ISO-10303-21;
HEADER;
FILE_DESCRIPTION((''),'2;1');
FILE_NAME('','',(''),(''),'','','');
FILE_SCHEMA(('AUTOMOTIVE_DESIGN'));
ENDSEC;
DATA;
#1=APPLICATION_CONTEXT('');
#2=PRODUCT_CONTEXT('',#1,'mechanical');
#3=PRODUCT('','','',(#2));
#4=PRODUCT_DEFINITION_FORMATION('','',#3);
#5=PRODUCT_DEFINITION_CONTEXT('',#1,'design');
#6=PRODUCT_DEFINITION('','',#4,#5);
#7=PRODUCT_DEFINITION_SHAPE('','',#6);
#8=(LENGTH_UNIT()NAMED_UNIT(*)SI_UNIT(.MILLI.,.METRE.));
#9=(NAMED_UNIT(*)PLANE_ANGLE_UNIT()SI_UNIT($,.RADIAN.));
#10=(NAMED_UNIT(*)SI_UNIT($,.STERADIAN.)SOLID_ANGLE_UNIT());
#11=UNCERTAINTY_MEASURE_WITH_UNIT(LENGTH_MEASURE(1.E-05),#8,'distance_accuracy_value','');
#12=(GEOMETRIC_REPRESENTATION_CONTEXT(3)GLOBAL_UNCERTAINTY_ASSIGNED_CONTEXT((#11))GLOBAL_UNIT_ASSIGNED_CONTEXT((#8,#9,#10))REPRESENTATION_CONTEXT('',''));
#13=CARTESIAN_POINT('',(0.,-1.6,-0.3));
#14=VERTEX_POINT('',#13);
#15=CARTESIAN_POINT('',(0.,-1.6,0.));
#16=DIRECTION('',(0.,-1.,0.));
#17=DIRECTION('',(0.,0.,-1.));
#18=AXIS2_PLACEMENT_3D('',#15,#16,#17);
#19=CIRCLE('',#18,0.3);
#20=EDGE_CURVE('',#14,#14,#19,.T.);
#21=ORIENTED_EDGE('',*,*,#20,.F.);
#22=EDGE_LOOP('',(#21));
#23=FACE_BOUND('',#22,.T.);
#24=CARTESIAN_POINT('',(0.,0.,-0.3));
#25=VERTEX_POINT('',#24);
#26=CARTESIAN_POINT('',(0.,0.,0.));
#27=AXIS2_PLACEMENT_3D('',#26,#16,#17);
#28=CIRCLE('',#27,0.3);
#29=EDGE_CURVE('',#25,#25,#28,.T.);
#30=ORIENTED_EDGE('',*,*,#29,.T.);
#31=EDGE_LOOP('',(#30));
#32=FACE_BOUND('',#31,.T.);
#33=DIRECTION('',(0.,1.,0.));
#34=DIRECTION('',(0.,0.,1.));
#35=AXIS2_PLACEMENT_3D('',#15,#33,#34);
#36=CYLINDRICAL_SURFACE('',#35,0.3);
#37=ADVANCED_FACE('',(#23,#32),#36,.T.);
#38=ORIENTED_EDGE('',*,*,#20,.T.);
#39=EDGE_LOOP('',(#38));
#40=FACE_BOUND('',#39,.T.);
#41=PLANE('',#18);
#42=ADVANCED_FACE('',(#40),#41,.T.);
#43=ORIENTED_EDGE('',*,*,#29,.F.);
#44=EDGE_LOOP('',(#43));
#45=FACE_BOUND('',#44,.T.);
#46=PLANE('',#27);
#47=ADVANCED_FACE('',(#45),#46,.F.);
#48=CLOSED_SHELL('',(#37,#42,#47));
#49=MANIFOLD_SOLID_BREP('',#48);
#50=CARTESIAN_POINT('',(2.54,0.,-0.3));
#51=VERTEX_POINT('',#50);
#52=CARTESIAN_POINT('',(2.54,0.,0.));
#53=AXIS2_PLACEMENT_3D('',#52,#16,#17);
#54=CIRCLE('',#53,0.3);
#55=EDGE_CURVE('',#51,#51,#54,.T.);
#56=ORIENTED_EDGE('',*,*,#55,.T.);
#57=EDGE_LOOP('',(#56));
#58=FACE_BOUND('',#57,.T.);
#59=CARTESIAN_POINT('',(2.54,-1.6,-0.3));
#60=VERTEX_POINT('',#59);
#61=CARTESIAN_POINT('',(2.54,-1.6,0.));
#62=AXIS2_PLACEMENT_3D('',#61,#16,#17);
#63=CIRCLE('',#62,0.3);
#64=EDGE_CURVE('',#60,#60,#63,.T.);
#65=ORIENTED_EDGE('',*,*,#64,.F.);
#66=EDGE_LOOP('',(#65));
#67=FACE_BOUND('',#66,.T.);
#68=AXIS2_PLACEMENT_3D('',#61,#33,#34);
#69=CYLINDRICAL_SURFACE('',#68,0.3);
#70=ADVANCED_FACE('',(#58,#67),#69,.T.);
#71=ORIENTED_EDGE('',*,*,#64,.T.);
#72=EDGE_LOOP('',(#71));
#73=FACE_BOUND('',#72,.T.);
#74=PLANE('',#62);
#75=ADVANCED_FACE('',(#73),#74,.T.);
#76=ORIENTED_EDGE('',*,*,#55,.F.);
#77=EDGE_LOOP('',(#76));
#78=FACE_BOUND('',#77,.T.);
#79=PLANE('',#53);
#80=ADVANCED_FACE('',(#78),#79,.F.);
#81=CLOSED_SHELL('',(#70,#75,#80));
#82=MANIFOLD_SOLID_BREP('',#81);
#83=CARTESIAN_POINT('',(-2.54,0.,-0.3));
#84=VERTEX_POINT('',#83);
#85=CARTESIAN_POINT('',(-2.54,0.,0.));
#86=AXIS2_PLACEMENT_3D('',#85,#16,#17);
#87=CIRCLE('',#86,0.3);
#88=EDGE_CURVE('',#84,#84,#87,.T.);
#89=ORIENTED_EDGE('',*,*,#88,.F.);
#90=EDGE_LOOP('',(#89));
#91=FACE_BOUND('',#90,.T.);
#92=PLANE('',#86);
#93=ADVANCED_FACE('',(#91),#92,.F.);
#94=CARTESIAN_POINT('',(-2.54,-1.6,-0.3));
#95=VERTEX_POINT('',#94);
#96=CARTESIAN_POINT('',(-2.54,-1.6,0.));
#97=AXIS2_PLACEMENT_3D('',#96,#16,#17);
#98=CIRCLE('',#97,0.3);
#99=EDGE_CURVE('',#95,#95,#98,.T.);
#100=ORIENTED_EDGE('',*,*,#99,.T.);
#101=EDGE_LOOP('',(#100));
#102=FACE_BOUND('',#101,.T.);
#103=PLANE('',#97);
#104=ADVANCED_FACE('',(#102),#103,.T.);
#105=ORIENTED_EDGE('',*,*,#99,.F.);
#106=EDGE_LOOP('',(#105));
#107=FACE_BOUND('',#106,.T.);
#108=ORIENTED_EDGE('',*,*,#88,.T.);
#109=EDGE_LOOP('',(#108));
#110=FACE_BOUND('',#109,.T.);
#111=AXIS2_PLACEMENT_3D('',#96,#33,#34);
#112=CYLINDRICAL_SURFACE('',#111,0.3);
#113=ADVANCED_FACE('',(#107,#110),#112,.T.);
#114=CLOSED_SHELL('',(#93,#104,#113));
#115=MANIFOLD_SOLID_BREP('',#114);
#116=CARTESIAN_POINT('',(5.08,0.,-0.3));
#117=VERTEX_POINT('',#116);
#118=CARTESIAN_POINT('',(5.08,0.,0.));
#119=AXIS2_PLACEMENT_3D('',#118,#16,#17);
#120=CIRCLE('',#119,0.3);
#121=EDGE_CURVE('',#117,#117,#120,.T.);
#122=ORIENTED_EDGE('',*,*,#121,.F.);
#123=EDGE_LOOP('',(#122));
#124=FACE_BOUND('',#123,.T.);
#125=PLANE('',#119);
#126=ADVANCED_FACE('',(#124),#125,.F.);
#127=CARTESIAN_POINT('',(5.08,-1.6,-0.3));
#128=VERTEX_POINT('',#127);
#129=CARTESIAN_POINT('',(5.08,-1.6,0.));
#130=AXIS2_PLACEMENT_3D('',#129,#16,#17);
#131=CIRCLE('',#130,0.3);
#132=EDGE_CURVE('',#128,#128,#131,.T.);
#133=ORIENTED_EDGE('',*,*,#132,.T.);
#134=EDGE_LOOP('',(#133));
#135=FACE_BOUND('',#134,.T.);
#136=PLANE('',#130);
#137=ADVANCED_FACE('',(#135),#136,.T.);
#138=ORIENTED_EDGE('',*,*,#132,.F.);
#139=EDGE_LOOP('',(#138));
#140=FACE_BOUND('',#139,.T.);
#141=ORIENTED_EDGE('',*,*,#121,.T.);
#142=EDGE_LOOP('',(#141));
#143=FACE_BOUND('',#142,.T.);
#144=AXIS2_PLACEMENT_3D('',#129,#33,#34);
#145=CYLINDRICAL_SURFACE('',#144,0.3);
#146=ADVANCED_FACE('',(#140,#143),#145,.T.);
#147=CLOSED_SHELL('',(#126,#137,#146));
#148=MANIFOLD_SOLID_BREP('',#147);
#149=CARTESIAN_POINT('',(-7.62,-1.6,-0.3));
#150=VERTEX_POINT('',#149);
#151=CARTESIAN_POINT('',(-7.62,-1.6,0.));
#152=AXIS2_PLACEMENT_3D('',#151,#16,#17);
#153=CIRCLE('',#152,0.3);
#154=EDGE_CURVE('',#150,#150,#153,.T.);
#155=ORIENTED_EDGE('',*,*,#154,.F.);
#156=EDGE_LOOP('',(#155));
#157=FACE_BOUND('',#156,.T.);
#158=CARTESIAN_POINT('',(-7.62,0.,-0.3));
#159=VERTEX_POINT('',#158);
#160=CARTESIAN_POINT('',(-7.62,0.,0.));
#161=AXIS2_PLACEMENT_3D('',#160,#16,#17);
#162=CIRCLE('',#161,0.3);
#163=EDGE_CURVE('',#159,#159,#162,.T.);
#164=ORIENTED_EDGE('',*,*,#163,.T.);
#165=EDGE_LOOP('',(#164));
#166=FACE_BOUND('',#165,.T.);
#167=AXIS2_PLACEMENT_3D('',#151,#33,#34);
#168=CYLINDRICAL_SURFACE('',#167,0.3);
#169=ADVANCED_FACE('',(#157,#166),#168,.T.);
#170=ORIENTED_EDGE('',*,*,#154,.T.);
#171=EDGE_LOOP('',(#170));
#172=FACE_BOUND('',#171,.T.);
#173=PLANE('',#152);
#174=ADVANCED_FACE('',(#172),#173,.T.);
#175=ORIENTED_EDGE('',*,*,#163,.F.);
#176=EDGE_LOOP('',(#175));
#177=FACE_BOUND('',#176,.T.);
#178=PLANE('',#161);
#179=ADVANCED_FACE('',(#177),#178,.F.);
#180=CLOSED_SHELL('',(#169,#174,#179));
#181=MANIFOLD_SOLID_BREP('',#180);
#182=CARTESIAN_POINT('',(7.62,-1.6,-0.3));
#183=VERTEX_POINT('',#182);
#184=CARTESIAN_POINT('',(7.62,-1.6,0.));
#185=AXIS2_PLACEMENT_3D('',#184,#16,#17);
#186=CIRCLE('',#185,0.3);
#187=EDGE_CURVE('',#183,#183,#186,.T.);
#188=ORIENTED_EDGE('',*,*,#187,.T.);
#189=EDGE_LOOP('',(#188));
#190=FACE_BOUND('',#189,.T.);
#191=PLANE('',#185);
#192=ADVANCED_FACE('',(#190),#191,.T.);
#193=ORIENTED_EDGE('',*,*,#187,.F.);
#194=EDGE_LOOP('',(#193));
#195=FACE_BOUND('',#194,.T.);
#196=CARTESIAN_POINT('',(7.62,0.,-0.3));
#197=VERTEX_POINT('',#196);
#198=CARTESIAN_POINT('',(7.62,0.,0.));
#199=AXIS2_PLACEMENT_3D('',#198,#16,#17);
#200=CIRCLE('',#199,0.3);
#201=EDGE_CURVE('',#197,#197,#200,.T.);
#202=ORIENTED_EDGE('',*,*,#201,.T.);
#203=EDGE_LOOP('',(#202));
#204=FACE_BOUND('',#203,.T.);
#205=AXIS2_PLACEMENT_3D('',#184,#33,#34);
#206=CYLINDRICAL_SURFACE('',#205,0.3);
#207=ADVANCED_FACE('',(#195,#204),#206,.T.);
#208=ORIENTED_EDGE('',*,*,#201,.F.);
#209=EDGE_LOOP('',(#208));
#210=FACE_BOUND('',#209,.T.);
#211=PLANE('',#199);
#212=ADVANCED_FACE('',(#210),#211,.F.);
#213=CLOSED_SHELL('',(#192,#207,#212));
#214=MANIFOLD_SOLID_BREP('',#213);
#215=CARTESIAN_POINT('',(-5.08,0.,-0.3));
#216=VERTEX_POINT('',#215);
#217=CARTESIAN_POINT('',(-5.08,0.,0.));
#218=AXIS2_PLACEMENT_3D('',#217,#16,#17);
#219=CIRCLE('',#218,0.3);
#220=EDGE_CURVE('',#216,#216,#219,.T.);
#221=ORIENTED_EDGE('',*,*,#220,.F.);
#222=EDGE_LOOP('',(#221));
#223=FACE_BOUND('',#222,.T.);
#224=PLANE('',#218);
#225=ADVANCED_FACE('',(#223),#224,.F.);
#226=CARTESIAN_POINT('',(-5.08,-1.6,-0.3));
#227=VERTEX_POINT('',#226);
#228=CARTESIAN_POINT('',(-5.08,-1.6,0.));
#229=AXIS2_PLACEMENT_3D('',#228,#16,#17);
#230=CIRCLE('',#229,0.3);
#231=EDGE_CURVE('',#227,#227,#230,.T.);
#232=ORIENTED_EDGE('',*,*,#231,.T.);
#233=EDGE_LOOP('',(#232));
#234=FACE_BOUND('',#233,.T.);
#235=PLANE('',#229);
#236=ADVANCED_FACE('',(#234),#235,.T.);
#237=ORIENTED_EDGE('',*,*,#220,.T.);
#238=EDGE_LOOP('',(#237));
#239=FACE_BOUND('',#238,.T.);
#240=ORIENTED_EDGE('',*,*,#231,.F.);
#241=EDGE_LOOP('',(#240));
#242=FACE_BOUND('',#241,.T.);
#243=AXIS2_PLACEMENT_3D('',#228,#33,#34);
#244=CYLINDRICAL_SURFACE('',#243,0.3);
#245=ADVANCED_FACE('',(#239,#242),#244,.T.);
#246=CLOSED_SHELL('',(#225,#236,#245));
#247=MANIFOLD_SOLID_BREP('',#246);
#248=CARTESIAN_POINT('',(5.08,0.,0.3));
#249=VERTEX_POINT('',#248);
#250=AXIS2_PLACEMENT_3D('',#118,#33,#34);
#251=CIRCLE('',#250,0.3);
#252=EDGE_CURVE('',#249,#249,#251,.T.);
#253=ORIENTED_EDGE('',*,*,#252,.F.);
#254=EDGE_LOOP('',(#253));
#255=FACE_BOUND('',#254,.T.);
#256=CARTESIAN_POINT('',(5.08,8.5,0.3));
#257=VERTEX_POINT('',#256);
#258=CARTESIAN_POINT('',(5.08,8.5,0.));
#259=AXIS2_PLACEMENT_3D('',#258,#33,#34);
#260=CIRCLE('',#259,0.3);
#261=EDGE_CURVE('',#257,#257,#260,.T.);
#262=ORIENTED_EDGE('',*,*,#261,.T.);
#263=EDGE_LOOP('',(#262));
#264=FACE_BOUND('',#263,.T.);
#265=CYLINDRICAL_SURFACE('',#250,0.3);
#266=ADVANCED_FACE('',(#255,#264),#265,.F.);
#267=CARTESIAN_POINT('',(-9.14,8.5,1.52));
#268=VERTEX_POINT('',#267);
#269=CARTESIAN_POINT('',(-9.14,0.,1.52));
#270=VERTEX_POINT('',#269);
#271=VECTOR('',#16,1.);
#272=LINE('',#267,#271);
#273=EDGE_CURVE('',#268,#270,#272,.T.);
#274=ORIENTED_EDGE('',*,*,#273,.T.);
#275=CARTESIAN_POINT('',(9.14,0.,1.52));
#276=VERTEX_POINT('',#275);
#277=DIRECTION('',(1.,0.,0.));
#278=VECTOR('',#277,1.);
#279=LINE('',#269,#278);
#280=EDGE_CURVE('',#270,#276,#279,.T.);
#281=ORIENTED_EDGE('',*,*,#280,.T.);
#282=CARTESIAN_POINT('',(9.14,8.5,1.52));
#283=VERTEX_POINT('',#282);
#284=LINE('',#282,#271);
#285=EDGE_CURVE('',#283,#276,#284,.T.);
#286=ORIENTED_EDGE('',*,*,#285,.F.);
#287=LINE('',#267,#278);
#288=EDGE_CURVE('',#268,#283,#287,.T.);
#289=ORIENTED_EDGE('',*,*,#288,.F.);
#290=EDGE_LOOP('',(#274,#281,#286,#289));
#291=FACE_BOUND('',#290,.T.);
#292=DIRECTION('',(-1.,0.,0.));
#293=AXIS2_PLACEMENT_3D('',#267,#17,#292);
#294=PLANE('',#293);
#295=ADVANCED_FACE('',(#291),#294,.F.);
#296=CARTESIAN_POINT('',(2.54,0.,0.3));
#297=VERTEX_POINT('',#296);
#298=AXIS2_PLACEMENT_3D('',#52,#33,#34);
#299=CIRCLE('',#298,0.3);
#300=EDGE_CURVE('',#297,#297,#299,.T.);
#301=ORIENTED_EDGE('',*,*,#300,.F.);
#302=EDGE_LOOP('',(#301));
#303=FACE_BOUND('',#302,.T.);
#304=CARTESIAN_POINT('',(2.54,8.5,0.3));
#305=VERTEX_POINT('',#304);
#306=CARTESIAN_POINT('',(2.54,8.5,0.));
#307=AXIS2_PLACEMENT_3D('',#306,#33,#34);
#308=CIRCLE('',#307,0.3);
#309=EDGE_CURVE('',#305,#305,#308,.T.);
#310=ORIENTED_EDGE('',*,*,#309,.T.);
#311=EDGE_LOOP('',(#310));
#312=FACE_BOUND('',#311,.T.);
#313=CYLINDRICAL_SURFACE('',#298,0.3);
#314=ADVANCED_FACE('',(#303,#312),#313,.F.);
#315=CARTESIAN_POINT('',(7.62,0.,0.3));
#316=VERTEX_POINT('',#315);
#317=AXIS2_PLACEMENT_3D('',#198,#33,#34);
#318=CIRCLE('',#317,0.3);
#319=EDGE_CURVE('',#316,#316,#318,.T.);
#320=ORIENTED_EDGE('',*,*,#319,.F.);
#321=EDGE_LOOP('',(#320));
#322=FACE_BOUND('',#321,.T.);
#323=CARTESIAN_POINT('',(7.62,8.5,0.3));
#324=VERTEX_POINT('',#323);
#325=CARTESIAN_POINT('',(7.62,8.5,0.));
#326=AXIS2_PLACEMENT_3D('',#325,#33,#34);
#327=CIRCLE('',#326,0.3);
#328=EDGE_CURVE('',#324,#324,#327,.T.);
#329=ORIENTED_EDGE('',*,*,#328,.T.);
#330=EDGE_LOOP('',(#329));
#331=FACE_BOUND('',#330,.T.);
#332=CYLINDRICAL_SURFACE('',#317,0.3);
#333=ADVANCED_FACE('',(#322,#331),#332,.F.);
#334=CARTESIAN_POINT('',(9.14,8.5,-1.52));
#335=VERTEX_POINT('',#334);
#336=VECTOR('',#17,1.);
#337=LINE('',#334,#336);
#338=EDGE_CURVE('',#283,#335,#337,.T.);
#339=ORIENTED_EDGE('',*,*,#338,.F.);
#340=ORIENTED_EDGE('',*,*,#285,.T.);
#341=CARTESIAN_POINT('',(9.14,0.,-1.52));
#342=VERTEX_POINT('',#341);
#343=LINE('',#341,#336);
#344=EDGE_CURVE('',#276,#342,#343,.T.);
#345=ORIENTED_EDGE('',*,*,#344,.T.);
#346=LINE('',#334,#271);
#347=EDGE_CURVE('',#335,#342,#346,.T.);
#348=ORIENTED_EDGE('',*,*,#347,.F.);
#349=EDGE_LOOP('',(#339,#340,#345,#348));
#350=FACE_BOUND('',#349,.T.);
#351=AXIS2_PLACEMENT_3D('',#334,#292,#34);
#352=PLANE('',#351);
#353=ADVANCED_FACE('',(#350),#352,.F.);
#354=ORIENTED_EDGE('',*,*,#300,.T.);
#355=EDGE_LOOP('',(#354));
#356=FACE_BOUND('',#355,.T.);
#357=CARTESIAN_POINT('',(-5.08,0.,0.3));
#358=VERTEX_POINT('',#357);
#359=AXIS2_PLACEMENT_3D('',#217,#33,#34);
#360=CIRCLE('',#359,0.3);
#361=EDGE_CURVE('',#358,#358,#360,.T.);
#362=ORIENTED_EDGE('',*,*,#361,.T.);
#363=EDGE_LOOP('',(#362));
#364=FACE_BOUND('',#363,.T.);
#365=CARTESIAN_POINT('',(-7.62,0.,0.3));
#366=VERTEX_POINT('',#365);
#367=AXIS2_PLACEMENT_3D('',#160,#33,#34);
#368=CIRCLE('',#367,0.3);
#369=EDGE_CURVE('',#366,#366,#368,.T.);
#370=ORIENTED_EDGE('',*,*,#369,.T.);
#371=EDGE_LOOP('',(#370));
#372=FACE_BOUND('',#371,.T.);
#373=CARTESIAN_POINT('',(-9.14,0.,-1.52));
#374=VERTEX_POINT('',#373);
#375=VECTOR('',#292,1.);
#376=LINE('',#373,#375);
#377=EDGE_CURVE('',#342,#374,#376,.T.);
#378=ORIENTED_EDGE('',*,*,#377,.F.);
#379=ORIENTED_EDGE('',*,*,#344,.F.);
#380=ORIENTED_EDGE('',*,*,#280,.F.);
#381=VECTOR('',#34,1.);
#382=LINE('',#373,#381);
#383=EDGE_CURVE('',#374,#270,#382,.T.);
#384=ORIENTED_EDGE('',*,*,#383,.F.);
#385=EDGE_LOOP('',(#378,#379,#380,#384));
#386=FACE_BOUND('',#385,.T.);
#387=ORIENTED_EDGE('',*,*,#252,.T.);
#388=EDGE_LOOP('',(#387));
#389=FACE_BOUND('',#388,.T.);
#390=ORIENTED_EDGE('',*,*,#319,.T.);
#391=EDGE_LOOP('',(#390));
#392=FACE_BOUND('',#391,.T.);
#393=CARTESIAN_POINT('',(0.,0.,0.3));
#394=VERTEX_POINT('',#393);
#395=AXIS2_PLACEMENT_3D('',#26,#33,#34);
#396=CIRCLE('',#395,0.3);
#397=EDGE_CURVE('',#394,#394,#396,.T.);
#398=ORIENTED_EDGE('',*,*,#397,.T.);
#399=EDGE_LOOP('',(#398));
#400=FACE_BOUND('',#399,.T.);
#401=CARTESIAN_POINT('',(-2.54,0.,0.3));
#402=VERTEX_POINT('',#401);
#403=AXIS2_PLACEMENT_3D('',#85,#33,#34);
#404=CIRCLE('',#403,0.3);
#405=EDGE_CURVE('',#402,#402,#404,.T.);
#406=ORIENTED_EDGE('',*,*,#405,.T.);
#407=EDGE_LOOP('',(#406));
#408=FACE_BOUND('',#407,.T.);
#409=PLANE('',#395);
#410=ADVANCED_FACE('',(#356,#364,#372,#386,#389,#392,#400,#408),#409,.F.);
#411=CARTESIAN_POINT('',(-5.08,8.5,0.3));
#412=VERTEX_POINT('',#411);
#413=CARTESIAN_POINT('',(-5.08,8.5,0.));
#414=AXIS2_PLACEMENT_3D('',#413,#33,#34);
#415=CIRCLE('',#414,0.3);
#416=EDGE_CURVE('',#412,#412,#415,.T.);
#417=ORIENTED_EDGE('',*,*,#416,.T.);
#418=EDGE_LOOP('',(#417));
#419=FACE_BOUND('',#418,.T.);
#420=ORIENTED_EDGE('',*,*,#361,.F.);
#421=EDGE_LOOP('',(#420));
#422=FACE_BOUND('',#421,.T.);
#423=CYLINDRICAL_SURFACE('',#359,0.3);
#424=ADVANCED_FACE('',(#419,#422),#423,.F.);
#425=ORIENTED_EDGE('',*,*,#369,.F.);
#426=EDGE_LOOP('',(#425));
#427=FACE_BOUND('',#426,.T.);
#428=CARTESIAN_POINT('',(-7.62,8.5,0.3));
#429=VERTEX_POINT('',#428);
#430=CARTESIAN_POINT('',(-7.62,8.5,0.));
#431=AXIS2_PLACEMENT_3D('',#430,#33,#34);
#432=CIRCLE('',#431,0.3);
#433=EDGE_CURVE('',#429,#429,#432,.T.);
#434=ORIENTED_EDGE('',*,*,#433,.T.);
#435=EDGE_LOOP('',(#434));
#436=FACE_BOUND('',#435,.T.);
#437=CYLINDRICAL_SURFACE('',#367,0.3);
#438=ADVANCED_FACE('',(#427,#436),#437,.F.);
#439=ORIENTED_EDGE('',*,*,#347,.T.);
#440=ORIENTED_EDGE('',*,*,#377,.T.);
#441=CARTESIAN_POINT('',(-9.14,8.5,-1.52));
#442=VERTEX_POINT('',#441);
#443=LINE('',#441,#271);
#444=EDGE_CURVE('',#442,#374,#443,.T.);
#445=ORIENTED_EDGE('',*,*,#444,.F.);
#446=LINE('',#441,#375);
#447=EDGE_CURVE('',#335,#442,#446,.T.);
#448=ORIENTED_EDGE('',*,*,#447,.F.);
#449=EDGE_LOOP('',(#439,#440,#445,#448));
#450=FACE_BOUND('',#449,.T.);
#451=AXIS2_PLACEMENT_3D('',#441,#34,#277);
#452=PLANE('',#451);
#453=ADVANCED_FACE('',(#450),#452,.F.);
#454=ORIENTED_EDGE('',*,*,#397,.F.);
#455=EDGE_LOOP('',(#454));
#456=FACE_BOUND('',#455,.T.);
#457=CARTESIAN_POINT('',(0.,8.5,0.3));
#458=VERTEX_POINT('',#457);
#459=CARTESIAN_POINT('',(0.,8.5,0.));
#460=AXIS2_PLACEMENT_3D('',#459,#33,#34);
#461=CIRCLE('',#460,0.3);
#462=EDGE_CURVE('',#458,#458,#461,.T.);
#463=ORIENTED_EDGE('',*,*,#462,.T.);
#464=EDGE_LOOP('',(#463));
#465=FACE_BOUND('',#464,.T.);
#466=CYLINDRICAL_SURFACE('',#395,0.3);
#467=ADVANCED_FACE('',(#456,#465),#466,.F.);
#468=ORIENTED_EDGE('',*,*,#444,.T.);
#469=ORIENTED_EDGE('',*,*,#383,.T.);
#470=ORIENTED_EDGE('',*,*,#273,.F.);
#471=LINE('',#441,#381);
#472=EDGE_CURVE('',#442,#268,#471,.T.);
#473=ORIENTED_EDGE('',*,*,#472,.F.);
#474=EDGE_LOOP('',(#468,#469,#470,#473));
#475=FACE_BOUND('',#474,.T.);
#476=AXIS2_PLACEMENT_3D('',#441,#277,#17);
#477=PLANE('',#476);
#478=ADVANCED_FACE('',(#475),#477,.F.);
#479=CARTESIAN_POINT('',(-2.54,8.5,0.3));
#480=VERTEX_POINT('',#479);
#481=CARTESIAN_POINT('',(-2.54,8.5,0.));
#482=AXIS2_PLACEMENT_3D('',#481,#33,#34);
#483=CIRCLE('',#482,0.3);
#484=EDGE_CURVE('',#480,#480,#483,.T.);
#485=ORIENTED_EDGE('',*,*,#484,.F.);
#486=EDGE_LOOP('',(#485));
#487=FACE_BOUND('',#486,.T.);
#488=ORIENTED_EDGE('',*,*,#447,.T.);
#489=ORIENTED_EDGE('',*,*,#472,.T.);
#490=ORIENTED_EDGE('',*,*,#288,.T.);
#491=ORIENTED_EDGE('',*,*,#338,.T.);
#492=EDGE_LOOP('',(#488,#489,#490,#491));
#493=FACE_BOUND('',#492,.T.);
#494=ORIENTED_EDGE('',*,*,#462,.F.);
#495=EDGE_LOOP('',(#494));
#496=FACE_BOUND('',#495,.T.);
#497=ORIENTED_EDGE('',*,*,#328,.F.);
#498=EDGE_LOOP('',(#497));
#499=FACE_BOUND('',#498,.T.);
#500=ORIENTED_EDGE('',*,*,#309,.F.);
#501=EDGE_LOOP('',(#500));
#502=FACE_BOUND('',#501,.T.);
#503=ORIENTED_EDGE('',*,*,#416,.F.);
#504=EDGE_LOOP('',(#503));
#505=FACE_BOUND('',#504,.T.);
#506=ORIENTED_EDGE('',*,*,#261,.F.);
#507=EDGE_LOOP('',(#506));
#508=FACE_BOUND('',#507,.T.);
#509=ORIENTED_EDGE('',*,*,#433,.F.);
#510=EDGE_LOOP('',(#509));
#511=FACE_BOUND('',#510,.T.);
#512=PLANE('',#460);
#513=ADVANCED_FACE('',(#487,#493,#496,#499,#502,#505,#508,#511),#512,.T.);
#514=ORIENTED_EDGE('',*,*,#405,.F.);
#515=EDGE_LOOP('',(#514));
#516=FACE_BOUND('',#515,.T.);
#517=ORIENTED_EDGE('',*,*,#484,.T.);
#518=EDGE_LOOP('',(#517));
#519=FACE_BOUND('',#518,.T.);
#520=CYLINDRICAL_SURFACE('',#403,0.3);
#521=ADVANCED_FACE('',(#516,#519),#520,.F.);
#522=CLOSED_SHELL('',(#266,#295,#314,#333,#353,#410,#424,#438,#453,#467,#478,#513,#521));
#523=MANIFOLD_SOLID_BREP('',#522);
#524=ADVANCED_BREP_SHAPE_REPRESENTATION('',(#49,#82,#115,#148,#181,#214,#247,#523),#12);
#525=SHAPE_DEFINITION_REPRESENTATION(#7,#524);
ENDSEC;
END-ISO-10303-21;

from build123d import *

# Parameters (mm, degrees)
SKETCH_1_W          = 18.28
SKETCH_1_H          = 3.04
EXTRUDE_1_DEPTH     = 8.5
SKETCH_2_R          = 0.3
CUT_EXTRUDE_1_DEPTH = 8.5
SKETCH_3_R          = 0.3
EXTRUDE_2_DEPTH     = 1.6
EXTRUDE_2_2_DEPTH   = 1.6
EXTRUDE_2_3_DEPTH   = 1.6
EXTRUDE_2_4_DEPTH   = 1.6
EXTRUDE_2_5_DEPTH   = 1.6
EXTRUDE_2_6_DEPTH   = 1.6
EXTRUDE_2_7_DEPTH   = 1.6


with BuildPart() as part:
    # Эскиз1 → Бобышка-Вытянуть1 (new body)
    with BuildSketch(Plane(origin=(0, 0, 0), x_dir=(1, 0, 0), z_dir=(0, 1, 0))):
        Rectangle(SKETCH_1_W, SKETCH_1_H)
    extrude(amount=EXTRUDE_1_DEPTH)

    # Эскиз2 → Вырез-Вытянуть1 (cut)
    with BuildSketch(Plane(origin=(0, 8.5, 0), x_dir=(1, 0, 0), z_dir=(0, 1, 0))):
        with Locations((-7.62, 0)):
            Circle(SKETCH_2_R)
        with Locations((-5.08, 0)):
            Circle(SKETCH_2_R)
        with Locations((-2.54, 0)):
            Circle(SKETCH_2_R)
        Circle(SKETCH_2_R)
        with Locations((2.54, 0)):
            Circle(SKETCH_2_R)
        with Locations((5.08, 0)):
            Circle(SKETCH_2_R)
        with Locations((7.62, 0)):
            Circle(SKETCH_2_R)
    extrude(amount=-CUT_EXTRUDE_1_DEPTH, mode=Mode.SUBTRACT)


with BuildPart() as body_2:
    # Эскиз3 → Бобышка-Вытянуть2 (new body)
    with BuildSketch(Plane.XZ):
        with Locations((-7.62, 0)):
            Circle(SKETCH_3_R)
    extrude(amount=EXTRUDE_2_DEPTH)


with BuildPart() as body_3:
    # Эскиз3 → Extrude 2 2 (new body)
    with BuildSketch(Plane.XZ):
        with Locations((-5.08, 0)):
            Circle(SKETCH_3_R)
    extrude(amount=EXTRUDE_2_2_DEPTH)


with BuildPart() as body_4:
    # Эскиз3 → Extrude 2 3 (new body)
    with BuildSketch(Plane.XZ):
        with Locations((-2.54, 0)):
            Circle(SKETCH_3_R)
    extrude(amount=EXTRUDE_2_3_DEPTH)


with BuildPart() as body_5:
    # Эскиз3 → Extrude 2 4 (new body)
    with BuildSketch(Plane.XZ):
        Circle(SKETCH_3_R)
    extrude(amount=EXTRUDE_2_4_DEPTH)


with BuildPart() as body_6:
    # Эскиз3 → Extrude 2 5 (new body)
    with BuildSketch(Plane.XZ):
        with Locations((2.54, 0)):
            Circle(SKETCH_3_R)
    extrude(amount=EXTRUDE_2_5_DEPTH)


with BuildPart() as body_7:
    # Эскиз3 → Extrude 2 6 (new body)
    with BuildSketch(Plane.XZ):
        with Locations((5.08, 0)):
            Circle(SKETCH_3_R)
    extrude(amount=EXTRUDE_2_6_DEPTH)


with BuildPart() as body_8:
    # Эскиз3 → Extrude 2 7 (new body)
    with BuildSketch(Plane.XZ):
        with Locations((7.62, 0)):
            Circle(SKETCH_3_R)
    extrude(amount=EXTRUDE_2_7_DEPTH)


solid = Compound([part.part, body_2.part, body_3.part, body_4.part, body_5.part, body_6.part, body_7.part, body_8.part])
